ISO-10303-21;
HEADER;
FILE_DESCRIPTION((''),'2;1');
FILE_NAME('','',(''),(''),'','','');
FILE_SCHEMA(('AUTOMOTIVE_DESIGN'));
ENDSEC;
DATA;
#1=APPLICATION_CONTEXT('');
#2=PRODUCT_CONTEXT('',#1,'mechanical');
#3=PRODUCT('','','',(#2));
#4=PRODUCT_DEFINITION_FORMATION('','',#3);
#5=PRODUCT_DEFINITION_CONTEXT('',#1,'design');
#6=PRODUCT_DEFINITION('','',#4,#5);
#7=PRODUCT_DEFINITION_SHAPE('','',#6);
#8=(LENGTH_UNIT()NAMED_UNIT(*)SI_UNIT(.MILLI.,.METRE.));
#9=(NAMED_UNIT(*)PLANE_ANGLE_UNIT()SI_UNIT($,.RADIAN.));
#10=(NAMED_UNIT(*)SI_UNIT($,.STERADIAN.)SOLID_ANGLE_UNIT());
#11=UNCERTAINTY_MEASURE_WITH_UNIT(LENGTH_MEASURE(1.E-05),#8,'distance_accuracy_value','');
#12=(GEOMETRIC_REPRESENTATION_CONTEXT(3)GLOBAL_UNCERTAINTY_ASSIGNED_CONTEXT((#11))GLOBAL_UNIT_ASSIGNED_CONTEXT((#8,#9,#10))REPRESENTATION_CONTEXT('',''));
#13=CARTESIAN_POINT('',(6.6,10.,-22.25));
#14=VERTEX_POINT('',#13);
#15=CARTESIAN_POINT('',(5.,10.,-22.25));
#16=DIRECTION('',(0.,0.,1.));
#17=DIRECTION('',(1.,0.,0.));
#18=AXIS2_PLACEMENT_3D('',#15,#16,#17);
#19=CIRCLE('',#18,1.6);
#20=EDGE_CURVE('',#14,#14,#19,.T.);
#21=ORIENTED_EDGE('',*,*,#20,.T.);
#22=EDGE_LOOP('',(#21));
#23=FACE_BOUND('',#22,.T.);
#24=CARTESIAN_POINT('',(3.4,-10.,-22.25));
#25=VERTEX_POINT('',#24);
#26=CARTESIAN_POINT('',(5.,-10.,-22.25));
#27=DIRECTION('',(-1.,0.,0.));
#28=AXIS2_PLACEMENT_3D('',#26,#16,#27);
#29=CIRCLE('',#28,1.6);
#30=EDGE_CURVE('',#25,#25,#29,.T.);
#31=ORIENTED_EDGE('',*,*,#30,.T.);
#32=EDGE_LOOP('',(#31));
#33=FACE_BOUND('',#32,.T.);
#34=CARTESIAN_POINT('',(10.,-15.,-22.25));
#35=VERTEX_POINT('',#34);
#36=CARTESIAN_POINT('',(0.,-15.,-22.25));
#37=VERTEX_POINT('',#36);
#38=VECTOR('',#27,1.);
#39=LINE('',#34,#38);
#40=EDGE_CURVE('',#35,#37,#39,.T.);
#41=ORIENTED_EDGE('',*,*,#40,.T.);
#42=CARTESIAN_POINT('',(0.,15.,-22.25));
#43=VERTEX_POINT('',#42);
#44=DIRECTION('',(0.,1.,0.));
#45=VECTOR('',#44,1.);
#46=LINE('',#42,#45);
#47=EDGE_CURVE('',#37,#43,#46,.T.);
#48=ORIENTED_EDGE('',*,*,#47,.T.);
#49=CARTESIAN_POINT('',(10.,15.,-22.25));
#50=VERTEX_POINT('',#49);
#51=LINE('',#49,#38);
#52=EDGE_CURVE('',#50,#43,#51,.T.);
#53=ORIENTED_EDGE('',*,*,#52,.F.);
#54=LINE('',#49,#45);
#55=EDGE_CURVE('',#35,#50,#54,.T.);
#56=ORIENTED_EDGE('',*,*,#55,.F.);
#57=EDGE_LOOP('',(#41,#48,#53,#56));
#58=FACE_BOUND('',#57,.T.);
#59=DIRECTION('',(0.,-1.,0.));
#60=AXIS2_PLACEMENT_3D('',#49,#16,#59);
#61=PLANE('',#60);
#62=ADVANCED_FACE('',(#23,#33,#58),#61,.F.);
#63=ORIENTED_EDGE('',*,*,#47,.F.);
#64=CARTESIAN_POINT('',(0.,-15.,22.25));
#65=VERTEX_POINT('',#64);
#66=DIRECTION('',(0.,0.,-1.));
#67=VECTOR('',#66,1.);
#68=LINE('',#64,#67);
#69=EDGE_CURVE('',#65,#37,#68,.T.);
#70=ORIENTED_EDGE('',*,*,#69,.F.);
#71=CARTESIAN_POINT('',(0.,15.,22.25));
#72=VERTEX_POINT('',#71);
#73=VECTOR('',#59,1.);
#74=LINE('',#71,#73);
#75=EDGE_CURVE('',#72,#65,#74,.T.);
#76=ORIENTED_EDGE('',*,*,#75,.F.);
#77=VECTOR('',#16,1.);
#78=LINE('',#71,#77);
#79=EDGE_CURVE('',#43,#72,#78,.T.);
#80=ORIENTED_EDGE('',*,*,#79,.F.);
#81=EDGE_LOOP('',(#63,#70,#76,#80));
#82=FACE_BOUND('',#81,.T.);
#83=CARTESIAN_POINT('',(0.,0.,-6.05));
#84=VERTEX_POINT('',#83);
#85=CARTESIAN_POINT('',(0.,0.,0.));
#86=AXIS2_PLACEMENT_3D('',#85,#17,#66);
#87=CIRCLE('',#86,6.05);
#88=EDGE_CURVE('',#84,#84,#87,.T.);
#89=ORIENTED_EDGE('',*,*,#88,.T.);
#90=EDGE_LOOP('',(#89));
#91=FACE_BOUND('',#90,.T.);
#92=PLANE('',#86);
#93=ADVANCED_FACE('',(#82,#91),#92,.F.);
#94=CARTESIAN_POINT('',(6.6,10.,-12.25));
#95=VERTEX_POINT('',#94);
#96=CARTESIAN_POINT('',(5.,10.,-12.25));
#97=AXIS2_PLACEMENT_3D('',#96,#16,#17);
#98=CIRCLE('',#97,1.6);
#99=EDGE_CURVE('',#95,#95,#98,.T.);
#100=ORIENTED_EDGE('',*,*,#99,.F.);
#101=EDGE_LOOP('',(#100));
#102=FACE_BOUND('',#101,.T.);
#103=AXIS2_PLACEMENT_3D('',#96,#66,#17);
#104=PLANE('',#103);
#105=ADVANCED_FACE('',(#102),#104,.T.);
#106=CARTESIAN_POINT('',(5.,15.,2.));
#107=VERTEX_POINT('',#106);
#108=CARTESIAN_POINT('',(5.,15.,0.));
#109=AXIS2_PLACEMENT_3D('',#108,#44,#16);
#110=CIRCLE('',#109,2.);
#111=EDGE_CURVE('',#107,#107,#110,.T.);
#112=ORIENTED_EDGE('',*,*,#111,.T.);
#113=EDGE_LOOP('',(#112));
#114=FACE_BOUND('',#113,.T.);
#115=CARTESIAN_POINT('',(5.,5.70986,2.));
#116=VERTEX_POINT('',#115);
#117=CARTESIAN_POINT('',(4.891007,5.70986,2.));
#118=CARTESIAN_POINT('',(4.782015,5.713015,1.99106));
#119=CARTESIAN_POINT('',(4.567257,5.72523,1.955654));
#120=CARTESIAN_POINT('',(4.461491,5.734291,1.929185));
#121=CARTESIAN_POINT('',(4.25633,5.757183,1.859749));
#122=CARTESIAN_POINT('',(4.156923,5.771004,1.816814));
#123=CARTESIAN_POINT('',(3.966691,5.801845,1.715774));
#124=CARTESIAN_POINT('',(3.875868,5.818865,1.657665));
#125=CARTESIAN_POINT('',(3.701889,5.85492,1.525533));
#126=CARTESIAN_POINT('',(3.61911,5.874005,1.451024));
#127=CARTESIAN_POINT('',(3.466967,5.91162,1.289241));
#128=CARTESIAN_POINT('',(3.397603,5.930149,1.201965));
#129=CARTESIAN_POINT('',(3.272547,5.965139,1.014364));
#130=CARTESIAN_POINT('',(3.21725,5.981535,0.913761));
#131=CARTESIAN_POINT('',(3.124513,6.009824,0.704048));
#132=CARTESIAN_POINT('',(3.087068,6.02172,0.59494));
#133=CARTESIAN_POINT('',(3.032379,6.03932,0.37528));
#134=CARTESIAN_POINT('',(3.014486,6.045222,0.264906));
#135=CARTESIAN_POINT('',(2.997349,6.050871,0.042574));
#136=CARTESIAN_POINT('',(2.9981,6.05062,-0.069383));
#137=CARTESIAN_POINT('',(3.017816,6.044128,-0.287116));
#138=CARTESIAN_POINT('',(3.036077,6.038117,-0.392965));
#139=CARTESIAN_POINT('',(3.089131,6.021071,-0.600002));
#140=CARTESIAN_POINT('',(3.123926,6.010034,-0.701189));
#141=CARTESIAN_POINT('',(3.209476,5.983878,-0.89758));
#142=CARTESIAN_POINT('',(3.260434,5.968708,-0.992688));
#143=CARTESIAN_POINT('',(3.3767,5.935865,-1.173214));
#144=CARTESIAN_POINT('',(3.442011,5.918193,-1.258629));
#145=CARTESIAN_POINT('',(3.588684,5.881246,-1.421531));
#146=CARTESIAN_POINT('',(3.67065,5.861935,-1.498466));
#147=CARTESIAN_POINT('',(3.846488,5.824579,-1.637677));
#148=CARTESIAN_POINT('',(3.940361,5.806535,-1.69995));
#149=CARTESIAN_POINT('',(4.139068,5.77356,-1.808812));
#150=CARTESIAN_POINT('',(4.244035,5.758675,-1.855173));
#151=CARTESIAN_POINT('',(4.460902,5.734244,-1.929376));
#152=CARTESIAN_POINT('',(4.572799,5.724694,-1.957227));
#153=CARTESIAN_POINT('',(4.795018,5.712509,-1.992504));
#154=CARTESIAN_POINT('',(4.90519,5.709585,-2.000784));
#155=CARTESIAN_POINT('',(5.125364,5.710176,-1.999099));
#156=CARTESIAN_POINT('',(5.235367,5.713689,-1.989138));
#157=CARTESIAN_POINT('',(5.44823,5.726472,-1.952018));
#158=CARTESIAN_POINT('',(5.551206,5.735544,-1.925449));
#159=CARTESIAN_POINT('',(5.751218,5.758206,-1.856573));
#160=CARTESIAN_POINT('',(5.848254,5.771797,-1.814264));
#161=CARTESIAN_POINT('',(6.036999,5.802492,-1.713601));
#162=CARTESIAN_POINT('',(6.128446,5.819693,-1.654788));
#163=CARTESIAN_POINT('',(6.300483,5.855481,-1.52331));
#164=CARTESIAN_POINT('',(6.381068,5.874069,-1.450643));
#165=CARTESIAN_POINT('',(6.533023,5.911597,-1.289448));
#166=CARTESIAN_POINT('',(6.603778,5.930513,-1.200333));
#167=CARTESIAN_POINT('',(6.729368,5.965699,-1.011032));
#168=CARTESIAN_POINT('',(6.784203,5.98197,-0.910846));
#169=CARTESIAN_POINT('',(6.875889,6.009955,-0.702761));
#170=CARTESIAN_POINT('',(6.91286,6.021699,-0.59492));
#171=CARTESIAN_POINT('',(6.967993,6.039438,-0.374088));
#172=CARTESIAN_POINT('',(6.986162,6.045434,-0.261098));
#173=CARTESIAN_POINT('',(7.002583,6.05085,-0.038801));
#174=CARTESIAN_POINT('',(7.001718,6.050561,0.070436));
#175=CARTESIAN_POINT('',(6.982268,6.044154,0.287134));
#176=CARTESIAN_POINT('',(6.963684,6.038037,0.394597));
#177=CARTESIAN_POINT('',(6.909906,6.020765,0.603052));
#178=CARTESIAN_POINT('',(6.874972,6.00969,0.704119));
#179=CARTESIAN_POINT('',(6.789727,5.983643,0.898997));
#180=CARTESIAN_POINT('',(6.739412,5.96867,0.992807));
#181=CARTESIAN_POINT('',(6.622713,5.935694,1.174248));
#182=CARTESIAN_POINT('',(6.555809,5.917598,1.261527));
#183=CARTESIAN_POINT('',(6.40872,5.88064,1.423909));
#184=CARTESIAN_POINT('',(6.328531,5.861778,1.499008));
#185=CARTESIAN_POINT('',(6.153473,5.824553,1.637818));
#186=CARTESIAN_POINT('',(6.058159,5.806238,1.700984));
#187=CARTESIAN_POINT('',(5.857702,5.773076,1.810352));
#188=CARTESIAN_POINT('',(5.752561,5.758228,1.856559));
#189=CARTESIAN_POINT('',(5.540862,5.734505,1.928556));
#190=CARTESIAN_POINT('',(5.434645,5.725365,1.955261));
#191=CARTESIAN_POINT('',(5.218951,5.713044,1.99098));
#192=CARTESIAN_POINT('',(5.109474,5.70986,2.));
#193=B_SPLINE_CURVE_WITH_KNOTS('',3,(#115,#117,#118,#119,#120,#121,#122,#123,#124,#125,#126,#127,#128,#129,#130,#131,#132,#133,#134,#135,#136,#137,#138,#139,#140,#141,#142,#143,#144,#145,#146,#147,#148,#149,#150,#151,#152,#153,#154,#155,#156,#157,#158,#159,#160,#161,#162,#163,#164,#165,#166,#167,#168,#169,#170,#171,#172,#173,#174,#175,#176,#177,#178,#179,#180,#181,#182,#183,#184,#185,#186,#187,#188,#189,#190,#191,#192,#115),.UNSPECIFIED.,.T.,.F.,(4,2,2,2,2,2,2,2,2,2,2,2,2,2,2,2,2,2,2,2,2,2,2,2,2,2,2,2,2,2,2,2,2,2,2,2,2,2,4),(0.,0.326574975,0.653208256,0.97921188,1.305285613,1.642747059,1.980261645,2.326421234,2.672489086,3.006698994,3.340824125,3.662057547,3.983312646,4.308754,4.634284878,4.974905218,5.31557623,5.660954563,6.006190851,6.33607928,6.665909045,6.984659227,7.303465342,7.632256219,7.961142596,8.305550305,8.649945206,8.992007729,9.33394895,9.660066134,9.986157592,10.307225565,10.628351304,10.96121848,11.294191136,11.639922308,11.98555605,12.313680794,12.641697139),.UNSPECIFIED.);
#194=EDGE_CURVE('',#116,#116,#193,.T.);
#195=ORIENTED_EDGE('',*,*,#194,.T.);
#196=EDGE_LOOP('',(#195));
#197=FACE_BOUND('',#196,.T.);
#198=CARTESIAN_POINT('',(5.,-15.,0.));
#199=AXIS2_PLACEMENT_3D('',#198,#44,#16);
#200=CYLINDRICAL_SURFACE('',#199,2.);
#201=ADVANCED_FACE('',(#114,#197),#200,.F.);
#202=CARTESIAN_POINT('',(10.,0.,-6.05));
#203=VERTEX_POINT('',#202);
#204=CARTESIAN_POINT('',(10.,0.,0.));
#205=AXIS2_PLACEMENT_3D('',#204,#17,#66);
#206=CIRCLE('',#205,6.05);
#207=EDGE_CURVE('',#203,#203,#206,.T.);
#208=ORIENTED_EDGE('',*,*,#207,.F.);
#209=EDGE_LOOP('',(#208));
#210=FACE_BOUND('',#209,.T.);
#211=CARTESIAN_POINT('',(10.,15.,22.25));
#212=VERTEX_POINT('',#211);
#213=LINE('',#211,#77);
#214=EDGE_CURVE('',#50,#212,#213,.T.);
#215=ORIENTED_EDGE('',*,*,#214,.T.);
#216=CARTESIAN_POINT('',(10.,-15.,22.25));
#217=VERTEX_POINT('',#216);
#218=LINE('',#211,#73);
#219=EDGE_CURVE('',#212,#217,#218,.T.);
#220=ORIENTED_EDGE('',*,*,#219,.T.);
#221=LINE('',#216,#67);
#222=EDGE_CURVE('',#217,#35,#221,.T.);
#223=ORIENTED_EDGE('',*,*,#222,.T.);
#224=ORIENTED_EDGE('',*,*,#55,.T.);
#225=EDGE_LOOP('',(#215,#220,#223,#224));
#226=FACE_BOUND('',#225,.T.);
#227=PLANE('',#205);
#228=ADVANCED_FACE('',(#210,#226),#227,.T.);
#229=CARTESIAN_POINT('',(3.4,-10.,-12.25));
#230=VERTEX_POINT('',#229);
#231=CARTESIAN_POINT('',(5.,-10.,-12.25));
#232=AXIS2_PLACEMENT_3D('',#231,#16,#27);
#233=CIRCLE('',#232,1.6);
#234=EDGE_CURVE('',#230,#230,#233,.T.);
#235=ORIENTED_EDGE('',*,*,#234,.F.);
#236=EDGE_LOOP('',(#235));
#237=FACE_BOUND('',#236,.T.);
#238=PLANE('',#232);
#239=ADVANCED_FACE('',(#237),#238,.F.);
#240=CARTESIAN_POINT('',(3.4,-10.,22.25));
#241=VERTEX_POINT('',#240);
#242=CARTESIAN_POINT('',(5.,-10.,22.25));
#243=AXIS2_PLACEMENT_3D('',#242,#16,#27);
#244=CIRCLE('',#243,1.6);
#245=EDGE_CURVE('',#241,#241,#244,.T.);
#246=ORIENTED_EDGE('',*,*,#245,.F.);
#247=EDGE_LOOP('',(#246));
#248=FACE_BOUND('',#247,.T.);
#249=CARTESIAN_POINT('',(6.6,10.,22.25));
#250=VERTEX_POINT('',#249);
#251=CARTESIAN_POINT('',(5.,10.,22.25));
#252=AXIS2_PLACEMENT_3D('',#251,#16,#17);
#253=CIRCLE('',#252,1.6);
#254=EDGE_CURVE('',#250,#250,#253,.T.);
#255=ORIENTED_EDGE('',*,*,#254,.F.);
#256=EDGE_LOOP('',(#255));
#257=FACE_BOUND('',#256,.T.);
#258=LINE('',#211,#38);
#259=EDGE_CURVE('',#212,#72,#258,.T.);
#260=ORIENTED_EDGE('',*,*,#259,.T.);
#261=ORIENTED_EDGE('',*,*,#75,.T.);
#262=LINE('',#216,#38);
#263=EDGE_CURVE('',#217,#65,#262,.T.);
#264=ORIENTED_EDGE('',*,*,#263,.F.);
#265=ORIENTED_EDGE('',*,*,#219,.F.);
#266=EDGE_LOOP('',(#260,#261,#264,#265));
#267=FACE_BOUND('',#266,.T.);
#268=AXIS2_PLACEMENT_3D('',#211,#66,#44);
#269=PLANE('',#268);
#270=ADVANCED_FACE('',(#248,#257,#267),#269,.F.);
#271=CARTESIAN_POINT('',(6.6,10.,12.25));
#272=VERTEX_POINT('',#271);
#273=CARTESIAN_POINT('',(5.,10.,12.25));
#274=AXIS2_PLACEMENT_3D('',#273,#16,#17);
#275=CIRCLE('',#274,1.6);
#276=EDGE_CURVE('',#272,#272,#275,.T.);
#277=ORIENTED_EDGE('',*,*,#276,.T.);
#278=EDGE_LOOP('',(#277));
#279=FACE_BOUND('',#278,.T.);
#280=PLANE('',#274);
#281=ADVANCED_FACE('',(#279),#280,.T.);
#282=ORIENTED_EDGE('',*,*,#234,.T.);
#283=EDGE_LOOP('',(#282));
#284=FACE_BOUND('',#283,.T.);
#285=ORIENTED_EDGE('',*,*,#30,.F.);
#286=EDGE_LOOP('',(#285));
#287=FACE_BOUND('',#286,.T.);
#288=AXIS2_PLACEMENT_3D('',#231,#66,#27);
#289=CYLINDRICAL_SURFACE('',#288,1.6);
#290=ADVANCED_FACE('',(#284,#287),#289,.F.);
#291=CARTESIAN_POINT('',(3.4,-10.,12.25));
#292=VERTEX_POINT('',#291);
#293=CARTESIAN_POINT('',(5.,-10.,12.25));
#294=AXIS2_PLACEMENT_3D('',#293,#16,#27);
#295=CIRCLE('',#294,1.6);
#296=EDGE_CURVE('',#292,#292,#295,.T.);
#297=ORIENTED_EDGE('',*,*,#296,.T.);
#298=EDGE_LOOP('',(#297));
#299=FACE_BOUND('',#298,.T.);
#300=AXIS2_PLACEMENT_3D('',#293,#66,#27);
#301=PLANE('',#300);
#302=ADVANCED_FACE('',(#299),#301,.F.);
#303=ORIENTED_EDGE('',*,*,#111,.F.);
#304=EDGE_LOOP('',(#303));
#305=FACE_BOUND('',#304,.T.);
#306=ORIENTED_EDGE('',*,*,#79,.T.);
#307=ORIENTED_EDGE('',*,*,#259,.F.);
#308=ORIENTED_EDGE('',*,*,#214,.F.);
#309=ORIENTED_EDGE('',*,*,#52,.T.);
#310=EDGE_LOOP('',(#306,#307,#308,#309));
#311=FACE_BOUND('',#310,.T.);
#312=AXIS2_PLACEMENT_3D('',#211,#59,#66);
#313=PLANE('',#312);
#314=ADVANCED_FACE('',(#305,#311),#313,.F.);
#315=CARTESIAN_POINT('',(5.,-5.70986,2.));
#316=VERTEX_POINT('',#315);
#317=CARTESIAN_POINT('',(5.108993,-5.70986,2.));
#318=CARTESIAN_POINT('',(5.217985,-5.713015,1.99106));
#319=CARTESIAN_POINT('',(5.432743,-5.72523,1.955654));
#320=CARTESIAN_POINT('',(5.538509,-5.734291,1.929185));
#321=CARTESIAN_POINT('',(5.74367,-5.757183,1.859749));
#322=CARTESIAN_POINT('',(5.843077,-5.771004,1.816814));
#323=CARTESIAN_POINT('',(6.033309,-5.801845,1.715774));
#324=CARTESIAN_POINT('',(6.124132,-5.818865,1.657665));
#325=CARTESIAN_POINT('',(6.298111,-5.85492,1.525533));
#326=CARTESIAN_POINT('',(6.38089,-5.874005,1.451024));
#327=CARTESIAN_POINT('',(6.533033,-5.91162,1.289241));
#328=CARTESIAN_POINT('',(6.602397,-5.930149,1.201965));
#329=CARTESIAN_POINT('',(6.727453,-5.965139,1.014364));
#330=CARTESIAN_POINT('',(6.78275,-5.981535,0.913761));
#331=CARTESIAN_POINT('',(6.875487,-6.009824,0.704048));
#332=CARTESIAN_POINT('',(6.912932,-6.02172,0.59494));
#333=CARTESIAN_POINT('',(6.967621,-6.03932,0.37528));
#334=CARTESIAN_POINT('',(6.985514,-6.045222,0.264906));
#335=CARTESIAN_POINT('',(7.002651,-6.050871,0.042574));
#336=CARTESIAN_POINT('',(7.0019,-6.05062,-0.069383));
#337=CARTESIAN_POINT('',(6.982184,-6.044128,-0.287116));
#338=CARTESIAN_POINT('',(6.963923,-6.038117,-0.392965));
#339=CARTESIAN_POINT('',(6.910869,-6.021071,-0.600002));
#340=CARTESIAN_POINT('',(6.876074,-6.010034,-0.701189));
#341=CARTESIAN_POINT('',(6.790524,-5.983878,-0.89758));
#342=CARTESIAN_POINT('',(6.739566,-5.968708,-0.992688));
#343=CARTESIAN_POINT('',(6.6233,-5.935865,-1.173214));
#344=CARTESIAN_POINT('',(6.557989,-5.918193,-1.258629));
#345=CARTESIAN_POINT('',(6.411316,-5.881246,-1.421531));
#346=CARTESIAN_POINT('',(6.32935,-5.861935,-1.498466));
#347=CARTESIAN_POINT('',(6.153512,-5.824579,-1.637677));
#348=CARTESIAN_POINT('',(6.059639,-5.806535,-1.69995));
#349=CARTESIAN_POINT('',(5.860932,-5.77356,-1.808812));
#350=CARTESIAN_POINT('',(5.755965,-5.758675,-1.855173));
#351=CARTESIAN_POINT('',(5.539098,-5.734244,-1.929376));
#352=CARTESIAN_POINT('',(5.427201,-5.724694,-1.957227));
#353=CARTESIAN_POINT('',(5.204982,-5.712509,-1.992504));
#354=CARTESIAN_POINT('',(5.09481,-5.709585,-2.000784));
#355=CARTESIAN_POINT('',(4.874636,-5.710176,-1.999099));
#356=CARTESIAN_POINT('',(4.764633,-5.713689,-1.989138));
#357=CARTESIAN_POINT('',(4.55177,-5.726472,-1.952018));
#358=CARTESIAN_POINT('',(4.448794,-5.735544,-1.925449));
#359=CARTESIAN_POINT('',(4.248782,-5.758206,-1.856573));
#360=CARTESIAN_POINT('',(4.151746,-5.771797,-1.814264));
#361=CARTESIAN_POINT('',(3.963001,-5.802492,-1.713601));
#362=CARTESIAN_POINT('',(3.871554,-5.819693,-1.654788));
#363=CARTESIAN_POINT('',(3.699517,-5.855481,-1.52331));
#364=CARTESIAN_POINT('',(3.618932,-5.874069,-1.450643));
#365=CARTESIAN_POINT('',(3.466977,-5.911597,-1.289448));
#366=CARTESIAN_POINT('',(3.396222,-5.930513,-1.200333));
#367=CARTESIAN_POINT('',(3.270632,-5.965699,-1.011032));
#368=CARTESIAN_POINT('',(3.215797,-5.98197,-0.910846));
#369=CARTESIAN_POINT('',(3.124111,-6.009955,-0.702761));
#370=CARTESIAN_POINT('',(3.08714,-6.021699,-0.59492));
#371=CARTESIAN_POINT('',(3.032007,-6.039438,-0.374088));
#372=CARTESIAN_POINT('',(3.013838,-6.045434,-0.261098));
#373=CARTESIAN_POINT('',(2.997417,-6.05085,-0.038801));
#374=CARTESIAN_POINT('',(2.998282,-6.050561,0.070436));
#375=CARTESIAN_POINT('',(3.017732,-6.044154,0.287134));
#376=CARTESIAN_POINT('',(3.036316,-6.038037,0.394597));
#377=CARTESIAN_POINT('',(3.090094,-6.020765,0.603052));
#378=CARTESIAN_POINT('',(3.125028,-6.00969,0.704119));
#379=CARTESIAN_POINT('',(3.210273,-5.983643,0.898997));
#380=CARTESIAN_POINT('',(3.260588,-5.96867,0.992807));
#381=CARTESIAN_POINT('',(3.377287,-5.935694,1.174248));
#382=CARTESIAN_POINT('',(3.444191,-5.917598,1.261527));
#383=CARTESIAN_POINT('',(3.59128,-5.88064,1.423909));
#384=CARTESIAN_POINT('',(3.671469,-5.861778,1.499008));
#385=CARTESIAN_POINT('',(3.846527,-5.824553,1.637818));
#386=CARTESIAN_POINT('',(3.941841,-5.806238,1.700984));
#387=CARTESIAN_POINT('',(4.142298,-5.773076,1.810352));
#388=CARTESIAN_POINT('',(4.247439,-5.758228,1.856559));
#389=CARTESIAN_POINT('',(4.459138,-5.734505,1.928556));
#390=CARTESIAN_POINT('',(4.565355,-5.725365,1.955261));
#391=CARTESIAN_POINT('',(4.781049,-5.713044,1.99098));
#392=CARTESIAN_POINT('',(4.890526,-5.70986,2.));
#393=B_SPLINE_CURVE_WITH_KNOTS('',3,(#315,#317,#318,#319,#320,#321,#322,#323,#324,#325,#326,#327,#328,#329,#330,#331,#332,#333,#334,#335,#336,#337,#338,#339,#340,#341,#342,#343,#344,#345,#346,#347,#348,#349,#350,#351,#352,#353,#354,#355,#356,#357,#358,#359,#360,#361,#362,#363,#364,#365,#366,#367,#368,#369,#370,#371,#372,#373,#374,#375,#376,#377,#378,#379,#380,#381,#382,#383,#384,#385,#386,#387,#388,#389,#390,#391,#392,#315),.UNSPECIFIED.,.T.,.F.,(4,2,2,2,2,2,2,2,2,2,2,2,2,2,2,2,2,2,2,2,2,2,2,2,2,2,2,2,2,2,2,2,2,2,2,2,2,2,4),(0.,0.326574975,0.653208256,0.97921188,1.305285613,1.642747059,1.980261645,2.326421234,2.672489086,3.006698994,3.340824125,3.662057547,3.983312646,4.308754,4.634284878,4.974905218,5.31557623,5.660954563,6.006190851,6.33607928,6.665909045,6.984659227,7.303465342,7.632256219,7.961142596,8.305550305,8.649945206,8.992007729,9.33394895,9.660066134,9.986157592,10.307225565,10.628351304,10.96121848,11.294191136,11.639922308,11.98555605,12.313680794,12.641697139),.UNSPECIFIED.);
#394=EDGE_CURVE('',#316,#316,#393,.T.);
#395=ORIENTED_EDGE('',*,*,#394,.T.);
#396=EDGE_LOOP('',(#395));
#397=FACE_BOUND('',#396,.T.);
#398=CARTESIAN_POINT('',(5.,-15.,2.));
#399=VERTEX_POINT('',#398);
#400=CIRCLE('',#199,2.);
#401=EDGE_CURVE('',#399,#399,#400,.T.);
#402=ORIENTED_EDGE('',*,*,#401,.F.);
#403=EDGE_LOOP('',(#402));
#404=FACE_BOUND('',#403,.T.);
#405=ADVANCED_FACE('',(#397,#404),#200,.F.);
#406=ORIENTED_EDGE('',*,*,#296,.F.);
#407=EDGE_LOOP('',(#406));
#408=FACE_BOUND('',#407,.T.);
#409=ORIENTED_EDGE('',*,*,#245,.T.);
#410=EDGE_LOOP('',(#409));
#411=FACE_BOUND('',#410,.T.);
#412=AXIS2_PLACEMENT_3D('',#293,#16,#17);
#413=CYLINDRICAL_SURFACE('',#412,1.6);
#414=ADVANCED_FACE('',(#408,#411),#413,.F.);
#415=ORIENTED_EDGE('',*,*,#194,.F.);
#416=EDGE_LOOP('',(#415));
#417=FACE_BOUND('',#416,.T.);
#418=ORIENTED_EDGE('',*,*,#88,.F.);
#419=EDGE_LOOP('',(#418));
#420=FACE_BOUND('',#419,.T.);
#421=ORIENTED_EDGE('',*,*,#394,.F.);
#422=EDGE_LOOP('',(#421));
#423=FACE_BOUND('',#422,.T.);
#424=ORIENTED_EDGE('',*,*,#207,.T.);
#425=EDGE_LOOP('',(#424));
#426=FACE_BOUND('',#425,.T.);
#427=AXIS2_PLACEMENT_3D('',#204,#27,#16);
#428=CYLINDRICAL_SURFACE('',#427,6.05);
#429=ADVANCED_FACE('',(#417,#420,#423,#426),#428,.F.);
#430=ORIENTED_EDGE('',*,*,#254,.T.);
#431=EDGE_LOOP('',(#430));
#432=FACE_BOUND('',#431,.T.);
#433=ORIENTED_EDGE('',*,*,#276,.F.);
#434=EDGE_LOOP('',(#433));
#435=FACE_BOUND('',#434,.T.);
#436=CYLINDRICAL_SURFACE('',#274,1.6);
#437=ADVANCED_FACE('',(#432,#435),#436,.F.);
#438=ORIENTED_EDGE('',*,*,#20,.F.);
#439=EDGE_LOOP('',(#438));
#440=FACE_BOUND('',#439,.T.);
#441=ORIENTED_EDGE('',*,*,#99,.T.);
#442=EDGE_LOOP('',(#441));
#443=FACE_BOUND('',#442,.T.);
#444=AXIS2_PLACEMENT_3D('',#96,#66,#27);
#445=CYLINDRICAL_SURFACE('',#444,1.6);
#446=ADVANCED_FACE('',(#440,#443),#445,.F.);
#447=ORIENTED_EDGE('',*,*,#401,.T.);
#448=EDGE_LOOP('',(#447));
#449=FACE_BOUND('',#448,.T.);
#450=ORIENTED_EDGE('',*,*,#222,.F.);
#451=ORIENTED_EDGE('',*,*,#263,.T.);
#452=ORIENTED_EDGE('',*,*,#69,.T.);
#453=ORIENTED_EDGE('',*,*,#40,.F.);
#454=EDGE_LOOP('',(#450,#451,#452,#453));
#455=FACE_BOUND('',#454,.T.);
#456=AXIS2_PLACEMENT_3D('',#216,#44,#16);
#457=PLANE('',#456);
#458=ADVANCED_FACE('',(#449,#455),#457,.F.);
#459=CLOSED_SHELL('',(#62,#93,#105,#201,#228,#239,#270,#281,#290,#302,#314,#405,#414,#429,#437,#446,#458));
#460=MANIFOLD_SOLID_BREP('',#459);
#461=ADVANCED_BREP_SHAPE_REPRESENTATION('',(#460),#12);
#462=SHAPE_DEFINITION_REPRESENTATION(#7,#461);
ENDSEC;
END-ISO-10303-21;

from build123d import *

# Parameters (mm, degrees)
SKETCH_1_W          = 44.5
SKETCH_1_H          = 30
SKETCH_1_R          = 6.05
EXTRUDE_1_DEPTH     = 10
SKETCH_2_R          = 1.6
CUT_EXTRUDE_1_DEPTH = 10
SKETCH_3_R          = 2
CUT_EXTRUDE_2_DEPTH = 39.66603807


with BuildPart() as part:
    # ｽｹｯﾁ1 → ﾎﾞｽ - 押し出し1 (new body)
    with BuildSketch(Plane(origin=(0, 0, 0), x_dir=(0, 0, -1), z_dir=(1, 0, 0))):
        Rectangle(SKETCH_1_W, SKETCH_1_H)
        Circle(SKETCH_1_R, mode=Mode.SUBTRACT)
    extrude(amount=EXTRUDE_1_DEPTH)

    # ｽｹｯﾁ2 → ｶｯﾄ - 押し出し1 (cut)
    with BuildSketch(Plane.XY.offset(22.25)):
        with Locations((5, 10)):
            Circle(SKETCH_2_R)
        with Locations(Location((5, -10, 0), (0, 0, 180))):
            Circle(SKETCH_2_R)
    cut_extrude_1 = extrude(amount=-CUT_EXTRUDE_1_DEPTH, mode=Mode.SUBTRACT)

    # ｽｹｯﾁ3 → ｶｯﾄ - 押し出し2 (cut, through all)
    with BuildSketch(Plane(origin=(0, 15, 0), x_dir=(1, 0, 0), z_dir=(0, 1, 0))):
        with Locations(Location((5, 0, 0), (0, 0, 270))):
            Circle(SKETCH_3_R)
    extrude(amount=-CUT_EXTRUDE_2_DEPTH, mode=Mode.SUBTRACT)

    # ﾐﾗｰ1: ｶｯﾄ - 押し出し1 across plane
    add(cut_extrude_1.mirror(Plane.XY), mode=Mode.SUBTRACT)


solid = part.part
